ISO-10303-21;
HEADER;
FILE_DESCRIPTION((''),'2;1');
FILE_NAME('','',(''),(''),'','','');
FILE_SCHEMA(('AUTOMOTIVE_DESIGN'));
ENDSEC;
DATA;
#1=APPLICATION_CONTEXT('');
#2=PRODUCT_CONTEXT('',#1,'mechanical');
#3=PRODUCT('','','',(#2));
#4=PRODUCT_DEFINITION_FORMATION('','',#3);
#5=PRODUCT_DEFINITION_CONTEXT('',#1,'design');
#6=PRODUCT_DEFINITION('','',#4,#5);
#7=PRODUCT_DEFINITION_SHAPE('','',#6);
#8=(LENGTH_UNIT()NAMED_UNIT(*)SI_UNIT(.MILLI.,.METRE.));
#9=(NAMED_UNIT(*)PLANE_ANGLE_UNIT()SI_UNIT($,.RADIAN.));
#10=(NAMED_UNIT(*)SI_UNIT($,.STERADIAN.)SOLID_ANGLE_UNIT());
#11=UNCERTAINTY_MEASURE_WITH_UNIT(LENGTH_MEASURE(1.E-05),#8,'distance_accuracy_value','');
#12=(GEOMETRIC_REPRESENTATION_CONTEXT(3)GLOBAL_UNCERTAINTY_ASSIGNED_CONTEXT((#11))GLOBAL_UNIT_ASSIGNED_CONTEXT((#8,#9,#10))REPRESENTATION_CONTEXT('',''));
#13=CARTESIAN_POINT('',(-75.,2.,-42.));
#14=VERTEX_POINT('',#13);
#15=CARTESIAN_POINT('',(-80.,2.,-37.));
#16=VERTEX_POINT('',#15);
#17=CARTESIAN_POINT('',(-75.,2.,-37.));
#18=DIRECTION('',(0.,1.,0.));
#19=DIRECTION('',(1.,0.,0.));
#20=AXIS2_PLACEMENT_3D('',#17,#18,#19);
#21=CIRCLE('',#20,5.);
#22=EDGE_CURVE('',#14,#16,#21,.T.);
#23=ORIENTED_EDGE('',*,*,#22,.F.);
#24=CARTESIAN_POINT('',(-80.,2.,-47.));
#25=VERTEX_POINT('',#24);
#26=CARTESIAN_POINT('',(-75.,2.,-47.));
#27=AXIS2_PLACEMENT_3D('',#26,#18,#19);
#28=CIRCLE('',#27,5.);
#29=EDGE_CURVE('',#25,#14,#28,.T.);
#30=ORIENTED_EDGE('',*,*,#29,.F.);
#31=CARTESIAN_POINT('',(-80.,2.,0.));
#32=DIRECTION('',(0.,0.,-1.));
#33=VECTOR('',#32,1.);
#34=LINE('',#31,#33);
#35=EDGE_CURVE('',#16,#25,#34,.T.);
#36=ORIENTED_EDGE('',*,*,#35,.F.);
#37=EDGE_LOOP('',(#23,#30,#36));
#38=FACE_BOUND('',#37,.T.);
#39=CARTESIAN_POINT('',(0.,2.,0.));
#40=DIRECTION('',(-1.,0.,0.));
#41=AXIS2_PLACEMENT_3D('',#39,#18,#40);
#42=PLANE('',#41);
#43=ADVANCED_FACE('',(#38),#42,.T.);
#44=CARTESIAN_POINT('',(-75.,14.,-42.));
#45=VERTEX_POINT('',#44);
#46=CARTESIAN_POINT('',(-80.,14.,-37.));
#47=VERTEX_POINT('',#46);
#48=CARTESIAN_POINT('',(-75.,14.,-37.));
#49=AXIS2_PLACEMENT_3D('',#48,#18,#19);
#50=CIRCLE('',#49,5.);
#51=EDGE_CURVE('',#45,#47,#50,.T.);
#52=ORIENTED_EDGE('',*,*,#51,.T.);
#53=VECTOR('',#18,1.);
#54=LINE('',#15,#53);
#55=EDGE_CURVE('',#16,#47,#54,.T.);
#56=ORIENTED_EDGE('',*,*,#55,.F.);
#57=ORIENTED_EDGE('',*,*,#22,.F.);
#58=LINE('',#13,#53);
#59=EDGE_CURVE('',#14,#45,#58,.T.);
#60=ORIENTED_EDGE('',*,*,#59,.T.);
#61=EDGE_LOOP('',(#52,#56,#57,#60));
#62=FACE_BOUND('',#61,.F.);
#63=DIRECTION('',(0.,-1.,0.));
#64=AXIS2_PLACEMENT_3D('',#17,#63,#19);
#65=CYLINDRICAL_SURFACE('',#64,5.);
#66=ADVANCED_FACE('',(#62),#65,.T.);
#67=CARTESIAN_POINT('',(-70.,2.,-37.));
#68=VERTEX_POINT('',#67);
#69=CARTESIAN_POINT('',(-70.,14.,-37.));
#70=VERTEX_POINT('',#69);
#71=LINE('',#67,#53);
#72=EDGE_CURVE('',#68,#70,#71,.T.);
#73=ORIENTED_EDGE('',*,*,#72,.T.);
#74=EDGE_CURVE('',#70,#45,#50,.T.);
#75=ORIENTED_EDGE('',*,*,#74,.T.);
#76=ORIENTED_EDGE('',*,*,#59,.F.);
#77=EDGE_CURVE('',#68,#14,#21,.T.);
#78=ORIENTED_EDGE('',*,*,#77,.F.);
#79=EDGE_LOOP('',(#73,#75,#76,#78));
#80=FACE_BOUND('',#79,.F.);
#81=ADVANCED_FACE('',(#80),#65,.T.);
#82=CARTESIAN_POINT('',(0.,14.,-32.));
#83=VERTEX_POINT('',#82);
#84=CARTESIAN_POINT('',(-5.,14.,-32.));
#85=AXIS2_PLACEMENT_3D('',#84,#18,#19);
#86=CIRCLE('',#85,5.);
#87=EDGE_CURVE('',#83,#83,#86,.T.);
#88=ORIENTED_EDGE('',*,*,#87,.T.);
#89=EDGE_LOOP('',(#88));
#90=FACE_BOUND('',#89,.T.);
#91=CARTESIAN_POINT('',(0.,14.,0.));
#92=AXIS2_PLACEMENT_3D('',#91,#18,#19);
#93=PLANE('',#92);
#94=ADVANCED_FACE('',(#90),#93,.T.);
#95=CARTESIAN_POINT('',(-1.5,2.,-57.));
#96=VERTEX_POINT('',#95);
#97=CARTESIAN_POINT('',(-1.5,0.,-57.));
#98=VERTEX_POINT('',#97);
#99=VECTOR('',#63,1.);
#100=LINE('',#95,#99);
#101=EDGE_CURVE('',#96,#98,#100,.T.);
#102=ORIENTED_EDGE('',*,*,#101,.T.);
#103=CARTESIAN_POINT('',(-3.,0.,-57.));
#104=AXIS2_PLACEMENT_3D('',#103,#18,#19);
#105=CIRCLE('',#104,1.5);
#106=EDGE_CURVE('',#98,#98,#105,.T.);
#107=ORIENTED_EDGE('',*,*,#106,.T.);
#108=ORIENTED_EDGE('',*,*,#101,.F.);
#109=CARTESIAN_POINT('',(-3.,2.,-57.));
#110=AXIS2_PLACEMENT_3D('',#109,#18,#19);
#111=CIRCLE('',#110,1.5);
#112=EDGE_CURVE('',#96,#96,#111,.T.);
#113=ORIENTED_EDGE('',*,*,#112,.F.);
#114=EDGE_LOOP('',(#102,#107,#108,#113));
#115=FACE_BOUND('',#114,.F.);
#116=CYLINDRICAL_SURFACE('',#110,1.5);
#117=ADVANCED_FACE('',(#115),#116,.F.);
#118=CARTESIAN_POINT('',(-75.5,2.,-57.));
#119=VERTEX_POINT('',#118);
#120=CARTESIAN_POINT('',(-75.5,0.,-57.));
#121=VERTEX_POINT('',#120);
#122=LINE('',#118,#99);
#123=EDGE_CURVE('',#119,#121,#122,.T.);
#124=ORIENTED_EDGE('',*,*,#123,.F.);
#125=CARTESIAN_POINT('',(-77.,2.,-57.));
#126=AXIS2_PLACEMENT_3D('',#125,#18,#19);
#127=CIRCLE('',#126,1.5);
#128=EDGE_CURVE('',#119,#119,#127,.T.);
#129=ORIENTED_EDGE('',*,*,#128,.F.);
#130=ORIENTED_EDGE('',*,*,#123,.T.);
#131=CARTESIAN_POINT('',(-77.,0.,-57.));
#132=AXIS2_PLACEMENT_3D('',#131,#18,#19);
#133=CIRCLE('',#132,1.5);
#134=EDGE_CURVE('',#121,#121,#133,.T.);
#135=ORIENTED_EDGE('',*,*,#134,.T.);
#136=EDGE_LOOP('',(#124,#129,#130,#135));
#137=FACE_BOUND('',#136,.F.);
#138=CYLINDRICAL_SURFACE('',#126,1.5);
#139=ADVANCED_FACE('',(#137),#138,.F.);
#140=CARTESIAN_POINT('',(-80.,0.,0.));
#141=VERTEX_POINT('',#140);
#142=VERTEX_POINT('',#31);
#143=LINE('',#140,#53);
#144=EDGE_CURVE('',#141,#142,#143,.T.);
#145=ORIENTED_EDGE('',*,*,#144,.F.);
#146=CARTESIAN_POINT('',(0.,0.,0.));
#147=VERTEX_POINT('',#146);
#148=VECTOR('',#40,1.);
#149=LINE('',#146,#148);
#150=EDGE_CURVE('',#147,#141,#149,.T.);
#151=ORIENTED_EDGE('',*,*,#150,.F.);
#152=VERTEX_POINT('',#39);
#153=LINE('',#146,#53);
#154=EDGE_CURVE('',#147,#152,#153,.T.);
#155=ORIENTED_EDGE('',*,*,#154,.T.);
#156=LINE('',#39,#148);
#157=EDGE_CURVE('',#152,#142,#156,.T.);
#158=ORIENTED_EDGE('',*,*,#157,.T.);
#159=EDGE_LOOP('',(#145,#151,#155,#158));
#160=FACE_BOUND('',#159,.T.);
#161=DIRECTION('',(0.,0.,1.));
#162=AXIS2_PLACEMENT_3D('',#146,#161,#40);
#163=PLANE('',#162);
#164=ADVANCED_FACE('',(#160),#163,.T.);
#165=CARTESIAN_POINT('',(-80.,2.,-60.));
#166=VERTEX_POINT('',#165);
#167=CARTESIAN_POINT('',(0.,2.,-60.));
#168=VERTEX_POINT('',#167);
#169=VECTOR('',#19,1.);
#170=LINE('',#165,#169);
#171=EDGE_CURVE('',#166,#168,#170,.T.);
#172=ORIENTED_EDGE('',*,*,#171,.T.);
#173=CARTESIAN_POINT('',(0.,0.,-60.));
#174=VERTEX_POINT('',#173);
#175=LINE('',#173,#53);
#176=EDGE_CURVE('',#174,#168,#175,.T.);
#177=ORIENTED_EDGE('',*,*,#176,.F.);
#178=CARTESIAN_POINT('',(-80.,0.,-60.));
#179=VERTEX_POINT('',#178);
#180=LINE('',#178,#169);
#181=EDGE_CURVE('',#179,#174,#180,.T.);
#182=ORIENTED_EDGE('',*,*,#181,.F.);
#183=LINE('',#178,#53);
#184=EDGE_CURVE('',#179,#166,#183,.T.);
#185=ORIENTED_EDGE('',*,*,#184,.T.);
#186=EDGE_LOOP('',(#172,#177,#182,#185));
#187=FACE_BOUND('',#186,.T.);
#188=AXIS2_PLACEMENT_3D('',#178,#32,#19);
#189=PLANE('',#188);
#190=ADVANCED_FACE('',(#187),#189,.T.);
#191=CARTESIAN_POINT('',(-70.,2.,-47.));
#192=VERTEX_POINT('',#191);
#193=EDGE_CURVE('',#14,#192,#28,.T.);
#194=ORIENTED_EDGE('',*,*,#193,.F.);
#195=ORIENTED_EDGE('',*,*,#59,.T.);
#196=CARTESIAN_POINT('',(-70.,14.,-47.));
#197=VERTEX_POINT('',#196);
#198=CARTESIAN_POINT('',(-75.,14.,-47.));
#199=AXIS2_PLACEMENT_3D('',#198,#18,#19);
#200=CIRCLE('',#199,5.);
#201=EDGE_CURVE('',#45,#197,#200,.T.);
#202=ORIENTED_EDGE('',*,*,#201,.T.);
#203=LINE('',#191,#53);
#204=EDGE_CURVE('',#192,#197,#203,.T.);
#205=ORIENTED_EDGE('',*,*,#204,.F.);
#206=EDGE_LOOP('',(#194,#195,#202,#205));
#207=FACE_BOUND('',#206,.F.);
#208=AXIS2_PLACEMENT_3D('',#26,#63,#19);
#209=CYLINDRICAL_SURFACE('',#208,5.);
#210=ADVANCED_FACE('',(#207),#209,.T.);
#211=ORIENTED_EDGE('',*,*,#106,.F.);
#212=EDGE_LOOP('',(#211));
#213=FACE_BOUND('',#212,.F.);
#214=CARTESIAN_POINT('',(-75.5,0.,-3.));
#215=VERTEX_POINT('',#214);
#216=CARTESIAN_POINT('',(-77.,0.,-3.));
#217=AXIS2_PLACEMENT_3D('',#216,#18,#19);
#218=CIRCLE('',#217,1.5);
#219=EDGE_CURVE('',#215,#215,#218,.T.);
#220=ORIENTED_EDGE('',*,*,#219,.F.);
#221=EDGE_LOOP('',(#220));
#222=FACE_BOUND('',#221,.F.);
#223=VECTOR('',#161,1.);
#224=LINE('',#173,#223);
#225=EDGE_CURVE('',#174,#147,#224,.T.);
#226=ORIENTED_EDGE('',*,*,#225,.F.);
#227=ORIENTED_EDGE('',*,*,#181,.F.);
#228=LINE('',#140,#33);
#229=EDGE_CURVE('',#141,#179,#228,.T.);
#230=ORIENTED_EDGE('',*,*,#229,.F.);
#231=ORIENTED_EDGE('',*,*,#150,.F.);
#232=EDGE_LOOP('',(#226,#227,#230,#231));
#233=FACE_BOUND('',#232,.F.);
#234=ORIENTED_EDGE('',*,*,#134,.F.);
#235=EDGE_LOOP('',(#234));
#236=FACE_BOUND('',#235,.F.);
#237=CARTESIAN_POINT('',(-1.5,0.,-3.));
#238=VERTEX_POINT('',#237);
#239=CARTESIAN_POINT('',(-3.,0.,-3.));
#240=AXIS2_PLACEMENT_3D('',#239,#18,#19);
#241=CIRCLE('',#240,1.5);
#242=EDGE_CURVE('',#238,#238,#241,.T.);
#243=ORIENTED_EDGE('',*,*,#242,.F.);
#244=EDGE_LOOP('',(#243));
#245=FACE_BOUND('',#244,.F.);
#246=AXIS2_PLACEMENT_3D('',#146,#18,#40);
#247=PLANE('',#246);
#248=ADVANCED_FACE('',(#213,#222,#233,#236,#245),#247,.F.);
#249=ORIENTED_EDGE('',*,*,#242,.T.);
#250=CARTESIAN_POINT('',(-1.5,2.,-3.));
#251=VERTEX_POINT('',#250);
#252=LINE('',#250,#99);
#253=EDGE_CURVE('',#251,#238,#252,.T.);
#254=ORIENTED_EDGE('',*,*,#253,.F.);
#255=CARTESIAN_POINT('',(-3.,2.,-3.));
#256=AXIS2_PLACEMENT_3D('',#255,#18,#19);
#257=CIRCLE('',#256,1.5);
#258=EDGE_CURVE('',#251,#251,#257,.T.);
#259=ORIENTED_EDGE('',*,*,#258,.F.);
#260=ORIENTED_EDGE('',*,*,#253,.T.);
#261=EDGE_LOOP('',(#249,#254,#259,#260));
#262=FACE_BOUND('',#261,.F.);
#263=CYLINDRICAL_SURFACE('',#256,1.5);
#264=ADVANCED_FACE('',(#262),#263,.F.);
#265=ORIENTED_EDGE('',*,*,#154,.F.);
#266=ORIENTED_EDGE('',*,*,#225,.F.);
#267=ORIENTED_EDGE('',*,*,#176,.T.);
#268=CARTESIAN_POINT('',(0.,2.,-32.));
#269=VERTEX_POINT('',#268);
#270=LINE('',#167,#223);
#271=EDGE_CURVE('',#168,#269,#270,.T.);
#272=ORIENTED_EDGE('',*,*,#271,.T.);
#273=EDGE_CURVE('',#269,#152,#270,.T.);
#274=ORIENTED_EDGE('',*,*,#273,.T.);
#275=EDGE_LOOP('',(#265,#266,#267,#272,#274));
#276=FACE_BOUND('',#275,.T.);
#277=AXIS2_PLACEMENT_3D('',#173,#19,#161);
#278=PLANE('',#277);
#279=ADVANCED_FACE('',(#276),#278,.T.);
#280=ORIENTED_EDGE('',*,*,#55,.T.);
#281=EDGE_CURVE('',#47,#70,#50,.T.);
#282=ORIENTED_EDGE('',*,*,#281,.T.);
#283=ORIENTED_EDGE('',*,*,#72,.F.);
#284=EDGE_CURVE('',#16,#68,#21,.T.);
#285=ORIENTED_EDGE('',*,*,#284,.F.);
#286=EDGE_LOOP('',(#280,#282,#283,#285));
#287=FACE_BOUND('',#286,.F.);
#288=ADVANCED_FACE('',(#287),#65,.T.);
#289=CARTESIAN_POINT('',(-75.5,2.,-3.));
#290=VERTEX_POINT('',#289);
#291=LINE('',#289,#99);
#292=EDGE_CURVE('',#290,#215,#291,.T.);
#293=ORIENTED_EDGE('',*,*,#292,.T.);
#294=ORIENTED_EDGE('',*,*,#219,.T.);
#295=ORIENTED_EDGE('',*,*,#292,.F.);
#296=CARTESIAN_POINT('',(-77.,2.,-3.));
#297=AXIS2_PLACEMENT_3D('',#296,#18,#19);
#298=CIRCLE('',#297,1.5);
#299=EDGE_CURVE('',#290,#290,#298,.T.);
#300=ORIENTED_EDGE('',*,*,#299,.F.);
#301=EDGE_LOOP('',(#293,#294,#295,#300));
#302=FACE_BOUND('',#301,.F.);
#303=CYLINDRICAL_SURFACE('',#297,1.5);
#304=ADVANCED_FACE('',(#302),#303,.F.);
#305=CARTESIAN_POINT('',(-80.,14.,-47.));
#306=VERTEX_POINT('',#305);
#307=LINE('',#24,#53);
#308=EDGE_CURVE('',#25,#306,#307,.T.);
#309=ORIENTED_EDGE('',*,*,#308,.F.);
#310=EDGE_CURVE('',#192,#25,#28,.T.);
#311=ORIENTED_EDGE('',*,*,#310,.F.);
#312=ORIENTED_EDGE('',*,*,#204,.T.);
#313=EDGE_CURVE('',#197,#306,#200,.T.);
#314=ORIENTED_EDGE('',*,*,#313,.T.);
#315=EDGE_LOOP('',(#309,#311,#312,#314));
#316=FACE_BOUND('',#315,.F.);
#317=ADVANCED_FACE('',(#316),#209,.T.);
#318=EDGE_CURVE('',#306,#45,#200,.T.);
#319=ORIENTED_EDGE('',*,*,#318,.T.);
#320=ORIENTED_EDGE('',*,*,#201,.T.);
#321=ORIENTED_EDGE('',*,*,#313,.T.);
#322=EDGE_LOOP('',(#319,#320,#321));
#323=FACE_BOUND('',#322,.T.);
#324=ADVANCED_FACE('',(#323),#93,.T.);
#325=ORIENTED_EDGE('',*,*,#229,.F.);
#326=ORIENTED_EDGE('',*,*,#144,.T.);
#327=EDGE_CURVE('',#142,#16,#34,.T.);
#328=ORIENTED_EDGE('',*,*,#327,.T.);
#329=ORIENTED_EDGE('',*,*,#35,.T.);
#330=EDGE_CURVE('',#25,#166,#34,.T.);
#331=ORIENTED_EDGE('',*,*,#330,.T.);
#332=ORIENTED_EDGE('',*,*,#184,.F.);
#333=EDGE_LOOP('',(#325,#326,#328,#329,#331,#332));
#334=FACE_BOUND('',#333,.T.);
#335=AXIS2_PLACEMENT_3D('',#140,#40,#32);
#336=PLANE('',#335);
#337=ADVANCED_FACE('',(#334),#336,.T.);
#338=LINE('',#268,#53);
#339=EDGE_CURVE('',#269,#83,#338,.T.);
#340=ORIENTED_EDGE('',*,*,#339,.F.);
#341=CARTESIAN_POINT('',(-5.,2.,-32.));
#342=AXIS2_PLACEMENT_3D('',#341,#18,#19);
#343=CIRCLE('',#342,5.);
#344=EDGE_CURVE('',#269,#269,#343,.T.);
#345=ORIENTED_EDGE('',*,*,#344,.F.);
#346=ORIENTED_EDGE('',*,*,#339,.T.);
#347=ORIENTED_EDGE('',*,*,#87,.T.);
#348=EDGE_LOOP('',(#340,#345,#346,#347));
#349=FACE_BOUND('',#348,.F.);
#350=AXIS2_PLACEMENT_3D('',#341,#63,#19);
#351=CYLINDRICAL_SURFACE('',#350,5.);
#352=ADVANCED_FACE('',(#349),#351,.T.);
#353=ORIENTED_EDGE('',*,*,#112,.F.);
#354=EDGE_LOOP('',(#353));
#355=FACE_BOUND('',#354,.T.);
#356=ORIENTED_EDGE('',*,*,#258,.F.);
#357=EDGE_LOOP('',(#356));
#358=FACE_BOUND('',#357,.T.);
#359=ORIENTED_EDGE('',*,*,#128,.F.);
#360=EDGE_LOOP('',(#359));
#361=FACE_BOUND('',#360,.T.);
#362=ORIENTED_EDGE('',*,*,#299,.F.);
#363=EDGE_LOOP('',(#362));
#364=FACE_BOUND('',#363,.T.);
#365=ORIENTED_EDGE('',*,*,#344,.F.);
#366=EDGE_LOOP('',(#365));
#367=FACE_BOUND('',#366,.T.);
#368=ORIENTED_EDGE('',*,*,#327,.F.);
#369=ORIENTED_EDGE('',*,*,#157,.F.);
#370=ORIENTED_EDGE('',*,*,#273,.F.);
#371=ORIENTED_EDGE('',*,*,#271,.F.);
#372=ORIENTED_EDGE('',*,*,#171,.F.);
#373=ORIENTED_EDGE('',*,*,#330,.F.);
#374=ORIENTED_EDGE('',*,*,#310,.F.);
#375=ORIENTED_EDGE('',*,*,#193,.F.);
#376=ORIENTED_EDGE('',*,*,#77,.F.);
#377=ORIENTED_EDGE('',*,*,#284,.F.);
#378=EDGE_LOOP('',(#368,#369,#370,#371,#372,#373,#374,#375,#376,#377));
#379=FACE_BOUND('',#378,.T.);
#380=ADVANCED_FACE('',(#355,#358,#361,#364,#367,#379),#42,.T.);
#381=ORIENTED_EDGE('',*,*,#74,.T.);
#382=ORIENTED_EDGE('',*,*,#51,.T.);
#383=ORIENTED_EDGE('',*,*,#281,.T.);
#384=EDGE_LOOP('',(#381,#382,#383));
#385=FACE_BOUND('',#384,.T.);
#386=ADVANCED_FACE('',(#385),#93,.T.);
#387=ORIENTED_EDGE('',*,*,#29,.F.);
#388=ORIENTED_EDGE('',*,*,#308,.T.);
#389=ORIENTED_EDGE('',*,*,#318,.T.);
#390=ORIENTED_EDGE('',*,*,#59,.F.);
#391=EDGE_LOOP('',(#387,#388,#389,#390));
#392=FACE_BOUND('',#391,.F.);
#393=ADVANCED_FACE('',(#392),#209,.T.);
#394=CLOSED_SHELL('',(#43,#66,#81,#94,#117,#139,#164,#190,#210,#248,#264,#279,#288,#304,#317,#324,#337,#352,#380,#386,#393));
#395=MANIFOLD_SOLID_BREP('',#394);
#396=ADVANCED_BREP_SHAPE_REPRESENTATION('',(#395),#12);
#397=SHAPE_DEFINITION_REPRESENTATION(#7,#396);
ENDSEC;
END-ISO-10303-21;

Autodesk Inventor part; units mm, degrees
ref_plane "YZ Plane" through (0, 0, 0) normal (1, 0, 0) x (0, 1, 0)
ref_plane "XZ Plane" through (0, 0, 0) normal (0, 1, 0) x (-1, 0, 0)
ref_plane "XY Plane" through (0, 0, 0) normal (0, 0, 1) x (1, 0, 0)
sketch "스케치1" plane through (0, 0, 0) normal (0, 1, 0) x (-1, 0, 0)
  line L0 (0, 0) -> (80, 0)
  line L1 (80, 0) -> (80, -60)
  line L2 (80, -60) -> (0, -60)
  line L3 (0, -60) -> (0, 0)
  dimension "d0" = 80
  dimension "d1" = 60
extrude "돌출1" add sketch "스케치1" along normal blind 2
sketch "스케치2" plane through (0, 2, 0) normal (0, 1, 0) x (1, 0, 0)
  circle A0 centre (-77, 57) radius 1.5
  circle A1 centre (-3, 57) radius 1.5
  circle A2 centre (-3, 3) radius 1.5
  circle A3 centre (-77, 3) radius 1.5
  line L0 (-80, 0) -> (-80, 60) projected
  line L1 (0, 60) -> (-80, 60) projected
  line L2 (0, 0) -> (0, 60) projected
  line L3 (-80, 0) -> (0, 0) projected
  dimension "d4" = 3
  dimension "d5" = 3
  dimension "d6" = 3
  dimension "d7" = 3
  dimension "d8" = 3
  dimension "d9" = 3
  dimension "d10" = 3
  dimension "d11" = 3
  dimension "d12" = 3
  dimension "d13" = 3
  dimension "d14" = 3
  dimension "d15" = 3
extrude "돌출2" cut sketch "스케치2" against normal blind 2 contours A0 | A1 | A2 | A3
sketch "스케치3" plane through (0, 2, 0) normal (0, 1, 0) x (1, 0, 0)
  circle A0 centre (-5, 32) radius 5
  circle A1 centre (-75, 47) radius 5
  circle A2 centre (-75, 37) radius 5
  line L0 (0, 60) -> (-80, 60) projected
  line L1 (-80, 0) -> (-80, 60) projected
  line L2 (0, 0) -> (0, 60) projected
  dimension "d18" = 10
  dimension "d19" = 10
  dimension "d20" = 10
  dimension "d21" = 10
  dimension "d22" = 13
  dimension "d23" = 5
  dimension "d24" = 5
  dimension "d25" = 5
  dimension "d26" = 28
extrude "돌출3" add sketch "스케치3" along normal blind 12 contours A0 | A1 | A2
properties part number "8060모터드라이브"
